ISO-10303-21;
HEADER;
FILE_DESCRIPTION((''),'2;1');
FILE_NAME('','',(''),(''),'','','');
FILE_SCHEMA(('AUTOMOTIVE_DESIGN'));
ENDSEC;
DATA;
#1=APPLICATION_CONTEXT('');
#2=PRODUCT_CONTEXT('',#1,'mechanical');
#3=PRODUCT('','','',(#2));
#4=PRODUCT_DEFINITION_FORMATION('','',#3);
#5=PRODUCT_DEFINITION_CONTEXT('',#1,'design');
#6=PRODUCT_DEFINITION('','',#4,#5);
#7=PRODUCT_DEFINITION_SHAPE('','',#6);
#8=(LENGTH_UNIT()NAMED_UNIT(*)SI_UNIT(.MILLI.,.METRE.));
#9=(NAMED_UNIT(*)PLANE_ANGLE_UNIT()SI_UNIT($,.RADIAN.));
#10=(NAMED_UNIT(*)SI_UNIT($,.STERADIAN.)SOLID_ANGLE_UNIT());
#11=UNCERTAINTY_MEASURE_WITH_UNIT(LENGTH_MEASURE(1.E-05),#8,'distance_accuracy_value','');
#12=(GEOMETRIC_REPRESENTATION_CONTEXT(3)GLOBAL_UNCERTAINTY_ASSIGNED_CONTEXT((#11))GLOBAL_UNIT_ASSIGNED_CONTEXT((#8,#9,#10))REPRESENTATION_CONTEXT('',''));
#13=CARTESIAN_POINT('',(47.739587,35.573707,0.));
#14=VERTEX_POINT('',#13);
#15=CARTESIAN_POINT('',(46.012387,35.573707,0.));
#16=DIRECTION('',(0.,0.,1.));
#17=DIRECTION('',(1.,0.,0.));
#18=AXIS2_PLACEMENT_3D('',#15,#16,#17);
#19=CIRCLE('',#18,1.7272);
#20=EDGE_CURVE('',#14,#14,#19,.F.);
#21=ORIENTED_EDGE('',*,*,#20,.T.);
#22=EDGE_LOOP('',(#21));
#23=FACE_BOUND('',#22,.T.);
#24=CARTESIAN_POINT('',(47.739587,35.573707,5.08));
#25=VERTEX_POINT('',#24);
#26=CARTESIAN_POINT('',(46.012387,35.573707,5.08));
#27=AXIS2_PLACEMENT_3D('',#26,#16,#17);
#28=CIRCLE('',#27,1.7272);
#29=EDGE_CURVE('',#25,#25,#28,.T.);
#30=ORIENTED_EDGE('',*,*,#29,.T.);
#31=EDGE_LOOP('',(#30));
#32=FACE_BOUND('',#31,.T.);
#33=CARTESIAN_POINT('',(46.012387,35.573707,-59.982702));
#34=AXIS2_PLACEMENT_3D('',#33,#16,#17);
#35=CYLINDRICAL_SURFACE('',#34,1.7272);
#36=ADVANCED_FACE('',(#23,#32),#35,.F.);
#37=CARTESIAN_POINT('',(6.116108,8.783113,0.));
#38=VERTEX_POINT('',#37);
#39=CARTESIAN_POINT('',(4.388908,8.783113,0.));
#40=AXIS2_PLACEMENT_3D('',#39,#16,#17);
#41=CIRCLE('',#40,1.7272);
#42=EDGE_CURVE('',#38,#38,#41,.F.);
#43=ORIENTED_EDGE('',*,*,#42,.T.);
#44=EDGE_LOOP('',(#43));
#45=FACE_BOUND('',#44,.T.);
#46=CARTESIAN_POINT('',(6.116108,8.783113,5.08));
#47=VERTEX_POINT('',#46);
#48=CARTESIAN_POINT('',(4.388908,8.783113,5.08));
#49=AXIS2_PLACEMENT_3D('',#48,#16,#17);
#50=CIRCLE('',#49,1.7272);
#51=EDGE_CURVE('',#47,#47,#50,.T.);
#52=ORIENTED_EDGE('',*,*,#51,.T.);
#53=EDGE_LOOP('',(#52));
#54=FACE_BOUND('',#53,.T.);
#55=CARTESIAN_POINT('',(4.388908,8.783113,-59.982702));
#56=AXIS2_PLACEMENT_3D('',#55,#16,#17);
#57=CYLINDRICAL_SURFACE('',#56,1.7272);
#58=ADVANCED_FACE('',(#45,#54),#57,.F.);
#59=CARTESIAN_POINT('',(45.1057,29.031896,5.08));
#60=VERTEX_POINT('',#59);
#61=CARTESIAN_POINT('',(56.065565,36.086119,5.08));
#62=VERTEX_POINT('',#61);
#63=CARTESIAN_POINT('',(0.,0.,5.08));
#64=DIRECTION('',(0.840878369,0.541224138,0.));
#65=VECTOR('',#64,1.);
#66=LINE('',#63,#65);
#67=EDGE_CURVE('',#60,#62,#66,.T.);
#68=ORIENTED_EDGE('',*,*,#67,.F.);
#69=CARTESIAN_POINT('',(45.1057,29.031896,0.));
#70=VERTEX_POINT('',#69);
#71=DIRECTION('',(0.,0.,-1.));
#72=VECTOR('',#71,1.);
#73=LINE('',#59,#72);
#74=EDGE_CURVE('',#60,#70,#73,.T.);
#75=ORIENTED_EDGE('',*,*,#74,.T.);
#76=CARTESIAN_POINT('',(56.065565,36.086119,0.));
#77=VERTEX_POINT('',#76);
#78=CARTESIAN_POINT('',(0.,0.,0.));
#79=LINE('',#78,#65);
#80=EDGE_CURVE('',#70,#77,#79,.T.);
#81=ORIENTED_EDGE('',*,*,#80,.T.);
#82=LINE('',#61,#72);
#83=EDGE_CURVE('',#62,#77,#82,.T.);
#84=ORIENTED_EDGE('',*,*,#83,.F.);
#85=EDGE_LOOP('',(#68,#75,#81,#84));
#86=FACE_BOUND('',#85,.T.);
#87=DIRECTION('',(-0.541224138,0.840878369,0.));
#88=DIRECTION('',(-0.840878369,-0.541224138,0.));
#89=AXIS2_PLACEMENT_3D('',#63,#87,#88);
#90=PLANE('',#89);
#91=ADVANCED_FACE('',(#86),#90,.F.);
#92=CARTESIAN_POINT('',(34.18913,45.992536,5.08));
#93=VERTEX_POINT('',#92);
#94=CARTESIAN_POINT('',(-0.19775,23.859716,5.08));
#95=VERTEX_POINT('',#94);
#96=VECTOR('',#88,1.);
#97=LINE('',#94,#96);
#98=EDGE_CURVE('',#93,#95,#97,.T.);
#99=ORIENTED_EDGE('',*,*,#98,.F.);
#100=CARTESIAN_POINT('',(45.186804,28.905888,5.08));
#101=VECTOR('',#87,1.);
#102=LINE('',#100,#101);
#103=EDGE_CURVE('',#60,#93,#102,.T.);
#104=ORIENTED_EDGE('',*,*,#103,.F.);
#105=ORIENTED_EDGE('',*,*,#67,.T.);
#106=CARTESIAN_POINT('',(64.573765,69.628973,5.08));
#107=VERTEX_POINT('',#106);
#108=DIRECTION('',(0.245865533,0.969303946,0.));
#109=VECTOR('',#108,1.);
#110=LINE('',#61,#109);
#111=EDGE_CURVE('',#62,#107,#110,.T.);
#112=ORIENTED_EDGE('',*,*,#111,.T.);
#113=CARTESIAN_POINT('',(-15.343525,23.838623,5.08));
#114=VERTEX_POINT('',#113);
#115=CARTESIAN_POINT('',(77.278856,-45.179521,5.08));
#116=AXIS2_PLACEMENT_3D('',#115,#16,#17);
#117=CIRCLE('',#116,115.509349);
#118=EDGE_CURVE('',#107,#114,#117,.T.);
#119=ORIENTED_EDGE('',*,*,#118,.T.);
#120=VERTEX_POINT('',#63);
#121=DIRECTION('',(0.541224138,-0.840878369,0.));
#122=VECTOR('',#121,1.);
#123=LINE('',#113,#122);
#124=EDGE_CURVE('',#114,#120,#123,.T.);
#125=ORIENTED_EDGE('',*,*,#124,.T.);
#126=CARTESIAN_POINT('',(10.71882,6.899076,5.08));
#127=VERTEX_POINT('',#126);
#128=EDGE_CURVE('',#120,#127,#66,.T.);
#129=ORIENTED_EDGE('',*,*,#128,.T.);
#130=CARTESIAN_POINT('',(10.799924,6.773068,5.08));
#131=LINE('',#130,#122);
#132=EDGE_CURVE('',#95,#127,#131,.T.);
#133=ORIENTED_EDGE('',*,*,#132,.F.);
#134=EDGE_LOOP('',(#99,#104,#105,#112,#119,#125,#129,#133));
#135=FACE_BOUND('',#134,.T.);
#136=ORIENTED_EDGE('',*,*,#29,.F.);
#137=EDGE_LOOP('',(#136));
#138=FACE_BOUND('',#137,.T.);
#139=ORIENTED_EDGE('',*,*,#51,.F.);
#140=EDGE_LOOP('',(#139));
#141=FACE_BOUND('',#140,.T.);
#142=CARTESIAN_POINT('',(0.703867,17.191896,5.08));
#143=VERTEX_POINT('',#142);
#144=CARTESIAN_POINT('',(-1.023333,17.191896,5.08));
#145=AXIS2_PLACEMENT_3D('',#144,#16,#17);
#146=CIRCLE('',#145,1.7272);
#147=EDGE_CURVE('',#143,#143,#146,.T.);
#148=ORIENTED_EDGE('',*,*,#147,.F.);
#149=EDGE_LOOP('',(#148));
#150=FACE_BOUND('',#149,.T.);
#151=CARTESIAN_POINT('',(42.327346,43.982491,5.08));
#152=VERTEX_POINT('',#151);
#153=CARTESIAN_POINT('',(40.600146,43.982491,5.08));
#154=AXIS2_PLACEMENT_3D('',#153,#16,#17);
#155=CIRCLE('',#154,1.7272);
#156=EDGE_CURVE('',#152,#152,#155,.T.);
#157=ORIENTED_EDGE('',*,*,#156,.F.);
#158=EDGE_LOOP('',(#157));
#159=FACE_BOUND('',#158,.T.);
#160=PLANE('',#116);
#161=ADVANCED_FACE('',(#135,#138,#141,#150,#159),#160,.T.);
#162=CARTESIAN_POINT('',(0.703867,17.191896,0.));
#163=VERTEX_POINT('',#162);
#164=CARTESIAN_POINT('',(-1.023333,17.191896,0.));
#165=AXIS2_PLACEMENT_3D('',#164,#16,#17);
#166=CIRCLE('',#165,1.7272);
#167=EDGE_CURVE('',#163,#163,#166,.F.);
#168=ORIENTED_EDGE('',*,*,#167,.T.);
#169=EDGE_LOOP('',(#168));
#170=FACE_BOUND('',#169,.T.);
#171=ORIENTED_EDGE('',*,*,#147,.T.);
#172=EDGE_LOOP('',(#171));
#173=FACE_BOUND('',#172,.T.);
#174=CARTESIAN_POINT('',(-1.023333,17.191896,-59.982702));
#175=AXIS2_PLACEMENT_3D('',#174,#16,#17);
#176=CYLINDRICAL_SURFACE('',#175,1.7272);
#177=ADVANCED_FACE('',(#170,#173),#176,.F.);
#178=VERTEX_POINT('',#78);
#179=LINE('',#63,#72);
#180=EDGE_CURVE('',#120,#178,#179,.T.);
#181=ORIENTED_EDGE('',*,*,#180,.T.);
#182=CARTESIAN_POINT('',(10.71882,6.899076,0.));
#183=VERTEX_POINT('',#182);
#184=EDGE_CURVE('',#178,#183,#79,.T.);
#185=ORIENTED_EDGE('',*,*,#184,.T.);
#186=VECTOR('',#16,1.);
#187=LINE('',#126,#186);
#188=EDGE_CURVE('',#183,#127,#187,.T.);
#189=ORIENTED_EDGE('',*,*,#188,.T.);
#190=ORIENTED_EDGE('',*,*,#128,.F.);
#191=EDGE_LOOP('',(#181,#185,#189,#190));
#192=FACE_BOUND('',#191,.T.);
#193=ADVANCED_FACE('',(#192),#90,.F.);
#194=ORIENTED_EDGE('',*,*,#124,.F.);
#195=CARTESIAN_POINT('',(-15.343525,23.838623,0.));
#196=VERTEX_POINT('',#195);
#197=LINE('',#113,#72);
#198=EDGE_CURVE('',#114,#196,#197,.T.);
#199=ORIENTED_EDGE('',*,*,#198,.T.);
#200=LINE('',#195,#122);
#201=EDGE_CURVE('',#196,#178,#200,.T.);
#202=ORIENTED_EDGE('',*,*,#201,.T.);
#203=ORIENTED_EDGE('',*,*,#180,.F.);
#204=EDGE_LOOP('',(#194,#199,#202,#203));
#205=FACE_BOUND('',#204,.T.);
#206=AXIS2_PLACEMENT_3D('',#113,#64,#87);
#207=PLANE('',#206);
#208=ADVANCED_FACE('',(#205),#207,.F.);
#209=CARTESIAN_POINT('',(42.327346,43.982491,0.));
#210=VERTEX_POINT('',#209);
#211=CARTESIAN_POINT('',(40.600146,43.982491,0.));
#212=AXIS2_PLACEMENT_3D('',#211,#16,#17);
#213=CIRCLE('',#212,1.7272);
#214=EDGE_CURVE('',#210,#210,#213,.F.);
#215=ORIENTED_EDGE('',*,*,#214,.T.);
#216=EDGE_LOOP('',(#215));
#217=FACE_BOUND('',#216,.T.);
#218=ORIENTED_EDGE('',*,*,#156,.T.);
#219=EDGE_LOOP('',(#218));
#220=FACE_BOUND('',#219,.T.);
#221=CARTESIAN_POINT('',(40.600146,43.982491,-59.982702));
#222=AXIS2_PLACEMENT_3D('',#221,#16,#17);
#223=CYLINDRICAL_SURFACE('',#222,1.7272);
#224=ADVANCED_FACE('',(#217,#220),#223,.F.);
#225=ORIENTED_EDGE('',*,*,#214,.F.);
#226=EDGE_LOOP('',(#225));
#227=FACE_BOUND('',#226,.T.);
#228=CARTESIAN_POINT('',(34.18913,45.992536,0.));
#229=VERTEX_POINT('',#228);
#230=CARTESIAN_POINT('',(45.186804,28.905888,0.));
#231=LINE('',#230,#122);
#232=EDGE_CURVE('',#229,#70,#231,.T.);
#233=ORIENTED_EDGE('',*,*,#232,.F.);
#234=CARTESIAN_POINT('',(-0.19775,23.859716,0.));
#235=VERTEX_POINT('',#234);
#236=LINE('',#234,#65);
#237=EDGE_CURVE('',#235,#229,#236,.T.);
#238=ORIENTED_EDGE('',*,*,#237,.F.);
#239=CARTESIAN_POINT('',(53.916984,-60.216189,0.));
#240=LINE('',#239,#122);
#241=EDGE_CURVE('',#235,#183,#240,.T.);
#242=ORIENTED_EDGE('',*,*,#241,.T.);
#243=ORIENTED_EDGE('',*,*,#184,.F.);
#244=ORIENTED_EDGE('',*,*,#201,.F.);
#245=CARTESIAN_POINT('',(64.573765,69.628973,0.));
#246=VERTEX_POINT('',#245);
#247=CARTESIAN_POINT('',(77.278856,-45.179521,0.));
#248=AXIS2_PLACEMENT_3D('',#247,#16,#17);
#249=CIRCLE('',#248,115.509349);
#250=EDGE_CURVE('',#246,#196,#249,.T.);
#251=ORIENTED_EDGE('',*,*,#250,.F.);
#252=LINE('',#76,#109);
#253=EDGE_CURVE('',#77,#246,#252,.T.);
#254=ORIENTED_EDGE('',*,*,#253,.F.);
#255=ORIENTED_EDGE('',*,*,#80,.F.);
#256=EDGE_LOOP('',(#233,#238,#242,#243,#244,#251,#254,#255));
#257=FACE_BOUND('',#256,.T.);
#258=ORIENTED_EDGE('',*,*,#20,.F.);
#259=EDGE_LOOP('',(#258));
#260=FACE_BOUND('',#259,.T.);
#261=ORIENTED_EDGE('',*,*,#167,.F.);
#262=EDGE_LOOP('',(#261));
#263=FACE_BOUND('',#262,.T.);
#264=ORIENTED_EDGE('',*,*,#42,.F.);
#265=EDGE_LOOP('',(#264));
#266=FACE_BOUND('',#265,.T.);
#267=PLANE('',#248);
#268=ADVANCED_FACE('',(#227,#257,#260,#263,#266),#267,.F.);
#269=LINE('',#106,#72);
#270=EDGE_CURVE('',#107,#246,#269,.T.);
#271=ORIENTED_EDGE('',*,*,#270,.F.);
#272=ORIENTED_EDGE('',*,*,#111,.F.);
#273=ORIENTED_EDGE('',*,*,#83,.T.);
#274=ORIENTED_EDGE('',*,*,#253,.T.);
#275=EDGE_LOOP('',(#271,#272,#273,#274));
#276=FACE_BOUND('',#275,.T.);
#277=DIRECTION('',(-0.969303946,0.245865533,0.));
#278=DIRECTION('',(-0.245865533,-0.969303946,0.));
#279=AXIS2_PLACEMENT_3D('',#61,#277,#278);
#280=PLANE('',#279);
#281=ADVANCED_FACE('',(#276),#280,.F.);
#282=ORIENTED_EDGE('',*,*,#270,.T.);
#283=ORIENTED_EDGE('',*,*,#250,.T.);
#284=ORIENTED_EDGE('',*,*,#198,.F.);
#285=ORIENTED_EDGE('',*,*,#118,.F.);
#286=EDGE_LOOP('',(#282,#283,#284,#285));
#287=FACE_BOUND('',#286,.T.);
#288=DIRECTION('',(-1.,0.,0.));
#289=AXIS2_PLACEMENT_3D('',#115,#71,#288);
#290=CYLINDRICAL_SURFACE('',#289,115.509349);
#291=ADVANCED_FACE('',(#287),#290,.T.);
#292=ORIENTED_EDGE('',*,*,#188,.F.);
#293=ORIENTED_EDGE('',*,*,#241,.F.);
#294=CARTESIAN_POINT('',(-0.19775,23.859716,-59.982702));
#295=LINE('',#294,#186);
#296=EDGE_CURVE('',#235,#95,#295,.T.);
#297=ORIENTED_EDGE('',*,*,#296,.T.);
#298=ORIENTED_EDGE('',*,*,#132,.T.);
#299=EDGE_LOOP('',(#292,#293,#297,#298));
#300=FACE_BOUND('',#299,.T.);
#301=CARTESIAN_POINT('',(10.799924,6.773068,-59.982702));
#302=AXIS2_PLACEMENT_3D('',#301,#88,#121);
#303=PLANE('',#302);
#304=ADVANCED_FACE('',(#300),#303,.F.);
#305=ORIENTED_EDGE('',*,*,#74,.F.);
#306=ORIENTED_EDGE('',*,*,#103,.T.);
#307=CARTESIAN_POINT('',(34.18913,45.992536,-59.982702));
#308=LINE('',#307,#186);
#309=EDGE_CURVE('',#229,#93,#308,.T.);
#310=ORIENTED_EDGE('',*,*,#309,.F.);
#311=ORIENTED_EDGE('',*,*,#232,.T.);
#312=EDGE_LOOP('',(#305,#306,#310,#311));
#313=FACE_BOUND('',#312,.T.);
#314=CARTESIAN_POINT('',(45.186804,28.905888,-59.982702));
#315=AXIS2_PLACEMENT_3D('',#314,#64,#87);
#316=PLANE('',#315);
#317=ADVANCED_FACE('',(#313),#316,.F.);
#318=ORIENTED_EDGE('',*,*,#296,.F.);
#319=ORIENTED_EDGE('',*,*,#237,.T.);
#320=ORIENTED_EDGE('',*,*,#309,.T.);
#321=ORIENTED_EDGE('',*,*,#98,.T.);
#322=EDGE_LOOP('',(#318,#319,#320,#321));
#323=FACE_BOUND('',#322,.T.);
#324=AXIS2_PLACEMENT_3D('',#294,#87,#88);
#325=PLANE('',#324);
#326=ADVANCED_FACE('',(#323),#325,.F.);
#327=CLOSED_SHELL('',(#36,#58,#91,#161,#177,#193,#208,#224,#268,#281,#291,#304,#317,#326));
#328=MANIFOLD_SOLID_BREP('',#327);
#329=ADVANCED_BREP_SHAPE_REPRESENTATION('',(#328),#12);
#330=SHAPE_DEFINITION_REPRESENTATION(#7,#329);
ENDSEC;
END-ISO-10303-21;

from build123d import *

# Parameters (mm, degrees)
BOSS_EXTRUDE1_DEPTH = 5.08
SKETCH2_R           = 1.7272
CUT_EXTRUDE1_DEPTH  = 5.08


with BuildPart() as part:
    # Sketch1 → Boss-Extrude1 (new body)
    with BuildSketch(Plane.XY):
        with BuildLine():
            Line((-15.343524861, 23.838622958), (0, 0))
            Line((0, 0), (56.065565283, 36.086119416))
            Line((56.065565283, 36.086119416), (64.573765087, 69.628973221))
            ThreePointArc((64.573765087, 69.628973221), (19.853616616, 55.043986881), (-15.343524861, 23.838622958))
        make_face()
    extrude(amount=BOSS_EXTRUDE1_DEPTH)

    # Sketch2 → Cut-Extrude1 (cut)
    with BuildSketch(Plane.XY.offset(5.08)):
        with Locations((46.012387455, 35.57370741)):
            Circle(SKETCH2_R)
        with Locations((-1.023333215, 17.191896262)):
            Circle(SKETCH2_R)
        with Locations((4.388908167, 8.783112568)):
            Circle(SKETCH2_R)
        with Locations((40.600146073, 43.982491105)):
            Circle(SKETCH2_R)
        Polygon((10.799924344, 6.773067648), (45.186804384, 28.905887557), (34.189129896, 45.992536024), (-0.197750144, 23.859716115), align=None)
    extrude(amount=-CUT_EXTRUDE1_DEPTH, mode=Mode.SUBTRACT)


solid = part.part
